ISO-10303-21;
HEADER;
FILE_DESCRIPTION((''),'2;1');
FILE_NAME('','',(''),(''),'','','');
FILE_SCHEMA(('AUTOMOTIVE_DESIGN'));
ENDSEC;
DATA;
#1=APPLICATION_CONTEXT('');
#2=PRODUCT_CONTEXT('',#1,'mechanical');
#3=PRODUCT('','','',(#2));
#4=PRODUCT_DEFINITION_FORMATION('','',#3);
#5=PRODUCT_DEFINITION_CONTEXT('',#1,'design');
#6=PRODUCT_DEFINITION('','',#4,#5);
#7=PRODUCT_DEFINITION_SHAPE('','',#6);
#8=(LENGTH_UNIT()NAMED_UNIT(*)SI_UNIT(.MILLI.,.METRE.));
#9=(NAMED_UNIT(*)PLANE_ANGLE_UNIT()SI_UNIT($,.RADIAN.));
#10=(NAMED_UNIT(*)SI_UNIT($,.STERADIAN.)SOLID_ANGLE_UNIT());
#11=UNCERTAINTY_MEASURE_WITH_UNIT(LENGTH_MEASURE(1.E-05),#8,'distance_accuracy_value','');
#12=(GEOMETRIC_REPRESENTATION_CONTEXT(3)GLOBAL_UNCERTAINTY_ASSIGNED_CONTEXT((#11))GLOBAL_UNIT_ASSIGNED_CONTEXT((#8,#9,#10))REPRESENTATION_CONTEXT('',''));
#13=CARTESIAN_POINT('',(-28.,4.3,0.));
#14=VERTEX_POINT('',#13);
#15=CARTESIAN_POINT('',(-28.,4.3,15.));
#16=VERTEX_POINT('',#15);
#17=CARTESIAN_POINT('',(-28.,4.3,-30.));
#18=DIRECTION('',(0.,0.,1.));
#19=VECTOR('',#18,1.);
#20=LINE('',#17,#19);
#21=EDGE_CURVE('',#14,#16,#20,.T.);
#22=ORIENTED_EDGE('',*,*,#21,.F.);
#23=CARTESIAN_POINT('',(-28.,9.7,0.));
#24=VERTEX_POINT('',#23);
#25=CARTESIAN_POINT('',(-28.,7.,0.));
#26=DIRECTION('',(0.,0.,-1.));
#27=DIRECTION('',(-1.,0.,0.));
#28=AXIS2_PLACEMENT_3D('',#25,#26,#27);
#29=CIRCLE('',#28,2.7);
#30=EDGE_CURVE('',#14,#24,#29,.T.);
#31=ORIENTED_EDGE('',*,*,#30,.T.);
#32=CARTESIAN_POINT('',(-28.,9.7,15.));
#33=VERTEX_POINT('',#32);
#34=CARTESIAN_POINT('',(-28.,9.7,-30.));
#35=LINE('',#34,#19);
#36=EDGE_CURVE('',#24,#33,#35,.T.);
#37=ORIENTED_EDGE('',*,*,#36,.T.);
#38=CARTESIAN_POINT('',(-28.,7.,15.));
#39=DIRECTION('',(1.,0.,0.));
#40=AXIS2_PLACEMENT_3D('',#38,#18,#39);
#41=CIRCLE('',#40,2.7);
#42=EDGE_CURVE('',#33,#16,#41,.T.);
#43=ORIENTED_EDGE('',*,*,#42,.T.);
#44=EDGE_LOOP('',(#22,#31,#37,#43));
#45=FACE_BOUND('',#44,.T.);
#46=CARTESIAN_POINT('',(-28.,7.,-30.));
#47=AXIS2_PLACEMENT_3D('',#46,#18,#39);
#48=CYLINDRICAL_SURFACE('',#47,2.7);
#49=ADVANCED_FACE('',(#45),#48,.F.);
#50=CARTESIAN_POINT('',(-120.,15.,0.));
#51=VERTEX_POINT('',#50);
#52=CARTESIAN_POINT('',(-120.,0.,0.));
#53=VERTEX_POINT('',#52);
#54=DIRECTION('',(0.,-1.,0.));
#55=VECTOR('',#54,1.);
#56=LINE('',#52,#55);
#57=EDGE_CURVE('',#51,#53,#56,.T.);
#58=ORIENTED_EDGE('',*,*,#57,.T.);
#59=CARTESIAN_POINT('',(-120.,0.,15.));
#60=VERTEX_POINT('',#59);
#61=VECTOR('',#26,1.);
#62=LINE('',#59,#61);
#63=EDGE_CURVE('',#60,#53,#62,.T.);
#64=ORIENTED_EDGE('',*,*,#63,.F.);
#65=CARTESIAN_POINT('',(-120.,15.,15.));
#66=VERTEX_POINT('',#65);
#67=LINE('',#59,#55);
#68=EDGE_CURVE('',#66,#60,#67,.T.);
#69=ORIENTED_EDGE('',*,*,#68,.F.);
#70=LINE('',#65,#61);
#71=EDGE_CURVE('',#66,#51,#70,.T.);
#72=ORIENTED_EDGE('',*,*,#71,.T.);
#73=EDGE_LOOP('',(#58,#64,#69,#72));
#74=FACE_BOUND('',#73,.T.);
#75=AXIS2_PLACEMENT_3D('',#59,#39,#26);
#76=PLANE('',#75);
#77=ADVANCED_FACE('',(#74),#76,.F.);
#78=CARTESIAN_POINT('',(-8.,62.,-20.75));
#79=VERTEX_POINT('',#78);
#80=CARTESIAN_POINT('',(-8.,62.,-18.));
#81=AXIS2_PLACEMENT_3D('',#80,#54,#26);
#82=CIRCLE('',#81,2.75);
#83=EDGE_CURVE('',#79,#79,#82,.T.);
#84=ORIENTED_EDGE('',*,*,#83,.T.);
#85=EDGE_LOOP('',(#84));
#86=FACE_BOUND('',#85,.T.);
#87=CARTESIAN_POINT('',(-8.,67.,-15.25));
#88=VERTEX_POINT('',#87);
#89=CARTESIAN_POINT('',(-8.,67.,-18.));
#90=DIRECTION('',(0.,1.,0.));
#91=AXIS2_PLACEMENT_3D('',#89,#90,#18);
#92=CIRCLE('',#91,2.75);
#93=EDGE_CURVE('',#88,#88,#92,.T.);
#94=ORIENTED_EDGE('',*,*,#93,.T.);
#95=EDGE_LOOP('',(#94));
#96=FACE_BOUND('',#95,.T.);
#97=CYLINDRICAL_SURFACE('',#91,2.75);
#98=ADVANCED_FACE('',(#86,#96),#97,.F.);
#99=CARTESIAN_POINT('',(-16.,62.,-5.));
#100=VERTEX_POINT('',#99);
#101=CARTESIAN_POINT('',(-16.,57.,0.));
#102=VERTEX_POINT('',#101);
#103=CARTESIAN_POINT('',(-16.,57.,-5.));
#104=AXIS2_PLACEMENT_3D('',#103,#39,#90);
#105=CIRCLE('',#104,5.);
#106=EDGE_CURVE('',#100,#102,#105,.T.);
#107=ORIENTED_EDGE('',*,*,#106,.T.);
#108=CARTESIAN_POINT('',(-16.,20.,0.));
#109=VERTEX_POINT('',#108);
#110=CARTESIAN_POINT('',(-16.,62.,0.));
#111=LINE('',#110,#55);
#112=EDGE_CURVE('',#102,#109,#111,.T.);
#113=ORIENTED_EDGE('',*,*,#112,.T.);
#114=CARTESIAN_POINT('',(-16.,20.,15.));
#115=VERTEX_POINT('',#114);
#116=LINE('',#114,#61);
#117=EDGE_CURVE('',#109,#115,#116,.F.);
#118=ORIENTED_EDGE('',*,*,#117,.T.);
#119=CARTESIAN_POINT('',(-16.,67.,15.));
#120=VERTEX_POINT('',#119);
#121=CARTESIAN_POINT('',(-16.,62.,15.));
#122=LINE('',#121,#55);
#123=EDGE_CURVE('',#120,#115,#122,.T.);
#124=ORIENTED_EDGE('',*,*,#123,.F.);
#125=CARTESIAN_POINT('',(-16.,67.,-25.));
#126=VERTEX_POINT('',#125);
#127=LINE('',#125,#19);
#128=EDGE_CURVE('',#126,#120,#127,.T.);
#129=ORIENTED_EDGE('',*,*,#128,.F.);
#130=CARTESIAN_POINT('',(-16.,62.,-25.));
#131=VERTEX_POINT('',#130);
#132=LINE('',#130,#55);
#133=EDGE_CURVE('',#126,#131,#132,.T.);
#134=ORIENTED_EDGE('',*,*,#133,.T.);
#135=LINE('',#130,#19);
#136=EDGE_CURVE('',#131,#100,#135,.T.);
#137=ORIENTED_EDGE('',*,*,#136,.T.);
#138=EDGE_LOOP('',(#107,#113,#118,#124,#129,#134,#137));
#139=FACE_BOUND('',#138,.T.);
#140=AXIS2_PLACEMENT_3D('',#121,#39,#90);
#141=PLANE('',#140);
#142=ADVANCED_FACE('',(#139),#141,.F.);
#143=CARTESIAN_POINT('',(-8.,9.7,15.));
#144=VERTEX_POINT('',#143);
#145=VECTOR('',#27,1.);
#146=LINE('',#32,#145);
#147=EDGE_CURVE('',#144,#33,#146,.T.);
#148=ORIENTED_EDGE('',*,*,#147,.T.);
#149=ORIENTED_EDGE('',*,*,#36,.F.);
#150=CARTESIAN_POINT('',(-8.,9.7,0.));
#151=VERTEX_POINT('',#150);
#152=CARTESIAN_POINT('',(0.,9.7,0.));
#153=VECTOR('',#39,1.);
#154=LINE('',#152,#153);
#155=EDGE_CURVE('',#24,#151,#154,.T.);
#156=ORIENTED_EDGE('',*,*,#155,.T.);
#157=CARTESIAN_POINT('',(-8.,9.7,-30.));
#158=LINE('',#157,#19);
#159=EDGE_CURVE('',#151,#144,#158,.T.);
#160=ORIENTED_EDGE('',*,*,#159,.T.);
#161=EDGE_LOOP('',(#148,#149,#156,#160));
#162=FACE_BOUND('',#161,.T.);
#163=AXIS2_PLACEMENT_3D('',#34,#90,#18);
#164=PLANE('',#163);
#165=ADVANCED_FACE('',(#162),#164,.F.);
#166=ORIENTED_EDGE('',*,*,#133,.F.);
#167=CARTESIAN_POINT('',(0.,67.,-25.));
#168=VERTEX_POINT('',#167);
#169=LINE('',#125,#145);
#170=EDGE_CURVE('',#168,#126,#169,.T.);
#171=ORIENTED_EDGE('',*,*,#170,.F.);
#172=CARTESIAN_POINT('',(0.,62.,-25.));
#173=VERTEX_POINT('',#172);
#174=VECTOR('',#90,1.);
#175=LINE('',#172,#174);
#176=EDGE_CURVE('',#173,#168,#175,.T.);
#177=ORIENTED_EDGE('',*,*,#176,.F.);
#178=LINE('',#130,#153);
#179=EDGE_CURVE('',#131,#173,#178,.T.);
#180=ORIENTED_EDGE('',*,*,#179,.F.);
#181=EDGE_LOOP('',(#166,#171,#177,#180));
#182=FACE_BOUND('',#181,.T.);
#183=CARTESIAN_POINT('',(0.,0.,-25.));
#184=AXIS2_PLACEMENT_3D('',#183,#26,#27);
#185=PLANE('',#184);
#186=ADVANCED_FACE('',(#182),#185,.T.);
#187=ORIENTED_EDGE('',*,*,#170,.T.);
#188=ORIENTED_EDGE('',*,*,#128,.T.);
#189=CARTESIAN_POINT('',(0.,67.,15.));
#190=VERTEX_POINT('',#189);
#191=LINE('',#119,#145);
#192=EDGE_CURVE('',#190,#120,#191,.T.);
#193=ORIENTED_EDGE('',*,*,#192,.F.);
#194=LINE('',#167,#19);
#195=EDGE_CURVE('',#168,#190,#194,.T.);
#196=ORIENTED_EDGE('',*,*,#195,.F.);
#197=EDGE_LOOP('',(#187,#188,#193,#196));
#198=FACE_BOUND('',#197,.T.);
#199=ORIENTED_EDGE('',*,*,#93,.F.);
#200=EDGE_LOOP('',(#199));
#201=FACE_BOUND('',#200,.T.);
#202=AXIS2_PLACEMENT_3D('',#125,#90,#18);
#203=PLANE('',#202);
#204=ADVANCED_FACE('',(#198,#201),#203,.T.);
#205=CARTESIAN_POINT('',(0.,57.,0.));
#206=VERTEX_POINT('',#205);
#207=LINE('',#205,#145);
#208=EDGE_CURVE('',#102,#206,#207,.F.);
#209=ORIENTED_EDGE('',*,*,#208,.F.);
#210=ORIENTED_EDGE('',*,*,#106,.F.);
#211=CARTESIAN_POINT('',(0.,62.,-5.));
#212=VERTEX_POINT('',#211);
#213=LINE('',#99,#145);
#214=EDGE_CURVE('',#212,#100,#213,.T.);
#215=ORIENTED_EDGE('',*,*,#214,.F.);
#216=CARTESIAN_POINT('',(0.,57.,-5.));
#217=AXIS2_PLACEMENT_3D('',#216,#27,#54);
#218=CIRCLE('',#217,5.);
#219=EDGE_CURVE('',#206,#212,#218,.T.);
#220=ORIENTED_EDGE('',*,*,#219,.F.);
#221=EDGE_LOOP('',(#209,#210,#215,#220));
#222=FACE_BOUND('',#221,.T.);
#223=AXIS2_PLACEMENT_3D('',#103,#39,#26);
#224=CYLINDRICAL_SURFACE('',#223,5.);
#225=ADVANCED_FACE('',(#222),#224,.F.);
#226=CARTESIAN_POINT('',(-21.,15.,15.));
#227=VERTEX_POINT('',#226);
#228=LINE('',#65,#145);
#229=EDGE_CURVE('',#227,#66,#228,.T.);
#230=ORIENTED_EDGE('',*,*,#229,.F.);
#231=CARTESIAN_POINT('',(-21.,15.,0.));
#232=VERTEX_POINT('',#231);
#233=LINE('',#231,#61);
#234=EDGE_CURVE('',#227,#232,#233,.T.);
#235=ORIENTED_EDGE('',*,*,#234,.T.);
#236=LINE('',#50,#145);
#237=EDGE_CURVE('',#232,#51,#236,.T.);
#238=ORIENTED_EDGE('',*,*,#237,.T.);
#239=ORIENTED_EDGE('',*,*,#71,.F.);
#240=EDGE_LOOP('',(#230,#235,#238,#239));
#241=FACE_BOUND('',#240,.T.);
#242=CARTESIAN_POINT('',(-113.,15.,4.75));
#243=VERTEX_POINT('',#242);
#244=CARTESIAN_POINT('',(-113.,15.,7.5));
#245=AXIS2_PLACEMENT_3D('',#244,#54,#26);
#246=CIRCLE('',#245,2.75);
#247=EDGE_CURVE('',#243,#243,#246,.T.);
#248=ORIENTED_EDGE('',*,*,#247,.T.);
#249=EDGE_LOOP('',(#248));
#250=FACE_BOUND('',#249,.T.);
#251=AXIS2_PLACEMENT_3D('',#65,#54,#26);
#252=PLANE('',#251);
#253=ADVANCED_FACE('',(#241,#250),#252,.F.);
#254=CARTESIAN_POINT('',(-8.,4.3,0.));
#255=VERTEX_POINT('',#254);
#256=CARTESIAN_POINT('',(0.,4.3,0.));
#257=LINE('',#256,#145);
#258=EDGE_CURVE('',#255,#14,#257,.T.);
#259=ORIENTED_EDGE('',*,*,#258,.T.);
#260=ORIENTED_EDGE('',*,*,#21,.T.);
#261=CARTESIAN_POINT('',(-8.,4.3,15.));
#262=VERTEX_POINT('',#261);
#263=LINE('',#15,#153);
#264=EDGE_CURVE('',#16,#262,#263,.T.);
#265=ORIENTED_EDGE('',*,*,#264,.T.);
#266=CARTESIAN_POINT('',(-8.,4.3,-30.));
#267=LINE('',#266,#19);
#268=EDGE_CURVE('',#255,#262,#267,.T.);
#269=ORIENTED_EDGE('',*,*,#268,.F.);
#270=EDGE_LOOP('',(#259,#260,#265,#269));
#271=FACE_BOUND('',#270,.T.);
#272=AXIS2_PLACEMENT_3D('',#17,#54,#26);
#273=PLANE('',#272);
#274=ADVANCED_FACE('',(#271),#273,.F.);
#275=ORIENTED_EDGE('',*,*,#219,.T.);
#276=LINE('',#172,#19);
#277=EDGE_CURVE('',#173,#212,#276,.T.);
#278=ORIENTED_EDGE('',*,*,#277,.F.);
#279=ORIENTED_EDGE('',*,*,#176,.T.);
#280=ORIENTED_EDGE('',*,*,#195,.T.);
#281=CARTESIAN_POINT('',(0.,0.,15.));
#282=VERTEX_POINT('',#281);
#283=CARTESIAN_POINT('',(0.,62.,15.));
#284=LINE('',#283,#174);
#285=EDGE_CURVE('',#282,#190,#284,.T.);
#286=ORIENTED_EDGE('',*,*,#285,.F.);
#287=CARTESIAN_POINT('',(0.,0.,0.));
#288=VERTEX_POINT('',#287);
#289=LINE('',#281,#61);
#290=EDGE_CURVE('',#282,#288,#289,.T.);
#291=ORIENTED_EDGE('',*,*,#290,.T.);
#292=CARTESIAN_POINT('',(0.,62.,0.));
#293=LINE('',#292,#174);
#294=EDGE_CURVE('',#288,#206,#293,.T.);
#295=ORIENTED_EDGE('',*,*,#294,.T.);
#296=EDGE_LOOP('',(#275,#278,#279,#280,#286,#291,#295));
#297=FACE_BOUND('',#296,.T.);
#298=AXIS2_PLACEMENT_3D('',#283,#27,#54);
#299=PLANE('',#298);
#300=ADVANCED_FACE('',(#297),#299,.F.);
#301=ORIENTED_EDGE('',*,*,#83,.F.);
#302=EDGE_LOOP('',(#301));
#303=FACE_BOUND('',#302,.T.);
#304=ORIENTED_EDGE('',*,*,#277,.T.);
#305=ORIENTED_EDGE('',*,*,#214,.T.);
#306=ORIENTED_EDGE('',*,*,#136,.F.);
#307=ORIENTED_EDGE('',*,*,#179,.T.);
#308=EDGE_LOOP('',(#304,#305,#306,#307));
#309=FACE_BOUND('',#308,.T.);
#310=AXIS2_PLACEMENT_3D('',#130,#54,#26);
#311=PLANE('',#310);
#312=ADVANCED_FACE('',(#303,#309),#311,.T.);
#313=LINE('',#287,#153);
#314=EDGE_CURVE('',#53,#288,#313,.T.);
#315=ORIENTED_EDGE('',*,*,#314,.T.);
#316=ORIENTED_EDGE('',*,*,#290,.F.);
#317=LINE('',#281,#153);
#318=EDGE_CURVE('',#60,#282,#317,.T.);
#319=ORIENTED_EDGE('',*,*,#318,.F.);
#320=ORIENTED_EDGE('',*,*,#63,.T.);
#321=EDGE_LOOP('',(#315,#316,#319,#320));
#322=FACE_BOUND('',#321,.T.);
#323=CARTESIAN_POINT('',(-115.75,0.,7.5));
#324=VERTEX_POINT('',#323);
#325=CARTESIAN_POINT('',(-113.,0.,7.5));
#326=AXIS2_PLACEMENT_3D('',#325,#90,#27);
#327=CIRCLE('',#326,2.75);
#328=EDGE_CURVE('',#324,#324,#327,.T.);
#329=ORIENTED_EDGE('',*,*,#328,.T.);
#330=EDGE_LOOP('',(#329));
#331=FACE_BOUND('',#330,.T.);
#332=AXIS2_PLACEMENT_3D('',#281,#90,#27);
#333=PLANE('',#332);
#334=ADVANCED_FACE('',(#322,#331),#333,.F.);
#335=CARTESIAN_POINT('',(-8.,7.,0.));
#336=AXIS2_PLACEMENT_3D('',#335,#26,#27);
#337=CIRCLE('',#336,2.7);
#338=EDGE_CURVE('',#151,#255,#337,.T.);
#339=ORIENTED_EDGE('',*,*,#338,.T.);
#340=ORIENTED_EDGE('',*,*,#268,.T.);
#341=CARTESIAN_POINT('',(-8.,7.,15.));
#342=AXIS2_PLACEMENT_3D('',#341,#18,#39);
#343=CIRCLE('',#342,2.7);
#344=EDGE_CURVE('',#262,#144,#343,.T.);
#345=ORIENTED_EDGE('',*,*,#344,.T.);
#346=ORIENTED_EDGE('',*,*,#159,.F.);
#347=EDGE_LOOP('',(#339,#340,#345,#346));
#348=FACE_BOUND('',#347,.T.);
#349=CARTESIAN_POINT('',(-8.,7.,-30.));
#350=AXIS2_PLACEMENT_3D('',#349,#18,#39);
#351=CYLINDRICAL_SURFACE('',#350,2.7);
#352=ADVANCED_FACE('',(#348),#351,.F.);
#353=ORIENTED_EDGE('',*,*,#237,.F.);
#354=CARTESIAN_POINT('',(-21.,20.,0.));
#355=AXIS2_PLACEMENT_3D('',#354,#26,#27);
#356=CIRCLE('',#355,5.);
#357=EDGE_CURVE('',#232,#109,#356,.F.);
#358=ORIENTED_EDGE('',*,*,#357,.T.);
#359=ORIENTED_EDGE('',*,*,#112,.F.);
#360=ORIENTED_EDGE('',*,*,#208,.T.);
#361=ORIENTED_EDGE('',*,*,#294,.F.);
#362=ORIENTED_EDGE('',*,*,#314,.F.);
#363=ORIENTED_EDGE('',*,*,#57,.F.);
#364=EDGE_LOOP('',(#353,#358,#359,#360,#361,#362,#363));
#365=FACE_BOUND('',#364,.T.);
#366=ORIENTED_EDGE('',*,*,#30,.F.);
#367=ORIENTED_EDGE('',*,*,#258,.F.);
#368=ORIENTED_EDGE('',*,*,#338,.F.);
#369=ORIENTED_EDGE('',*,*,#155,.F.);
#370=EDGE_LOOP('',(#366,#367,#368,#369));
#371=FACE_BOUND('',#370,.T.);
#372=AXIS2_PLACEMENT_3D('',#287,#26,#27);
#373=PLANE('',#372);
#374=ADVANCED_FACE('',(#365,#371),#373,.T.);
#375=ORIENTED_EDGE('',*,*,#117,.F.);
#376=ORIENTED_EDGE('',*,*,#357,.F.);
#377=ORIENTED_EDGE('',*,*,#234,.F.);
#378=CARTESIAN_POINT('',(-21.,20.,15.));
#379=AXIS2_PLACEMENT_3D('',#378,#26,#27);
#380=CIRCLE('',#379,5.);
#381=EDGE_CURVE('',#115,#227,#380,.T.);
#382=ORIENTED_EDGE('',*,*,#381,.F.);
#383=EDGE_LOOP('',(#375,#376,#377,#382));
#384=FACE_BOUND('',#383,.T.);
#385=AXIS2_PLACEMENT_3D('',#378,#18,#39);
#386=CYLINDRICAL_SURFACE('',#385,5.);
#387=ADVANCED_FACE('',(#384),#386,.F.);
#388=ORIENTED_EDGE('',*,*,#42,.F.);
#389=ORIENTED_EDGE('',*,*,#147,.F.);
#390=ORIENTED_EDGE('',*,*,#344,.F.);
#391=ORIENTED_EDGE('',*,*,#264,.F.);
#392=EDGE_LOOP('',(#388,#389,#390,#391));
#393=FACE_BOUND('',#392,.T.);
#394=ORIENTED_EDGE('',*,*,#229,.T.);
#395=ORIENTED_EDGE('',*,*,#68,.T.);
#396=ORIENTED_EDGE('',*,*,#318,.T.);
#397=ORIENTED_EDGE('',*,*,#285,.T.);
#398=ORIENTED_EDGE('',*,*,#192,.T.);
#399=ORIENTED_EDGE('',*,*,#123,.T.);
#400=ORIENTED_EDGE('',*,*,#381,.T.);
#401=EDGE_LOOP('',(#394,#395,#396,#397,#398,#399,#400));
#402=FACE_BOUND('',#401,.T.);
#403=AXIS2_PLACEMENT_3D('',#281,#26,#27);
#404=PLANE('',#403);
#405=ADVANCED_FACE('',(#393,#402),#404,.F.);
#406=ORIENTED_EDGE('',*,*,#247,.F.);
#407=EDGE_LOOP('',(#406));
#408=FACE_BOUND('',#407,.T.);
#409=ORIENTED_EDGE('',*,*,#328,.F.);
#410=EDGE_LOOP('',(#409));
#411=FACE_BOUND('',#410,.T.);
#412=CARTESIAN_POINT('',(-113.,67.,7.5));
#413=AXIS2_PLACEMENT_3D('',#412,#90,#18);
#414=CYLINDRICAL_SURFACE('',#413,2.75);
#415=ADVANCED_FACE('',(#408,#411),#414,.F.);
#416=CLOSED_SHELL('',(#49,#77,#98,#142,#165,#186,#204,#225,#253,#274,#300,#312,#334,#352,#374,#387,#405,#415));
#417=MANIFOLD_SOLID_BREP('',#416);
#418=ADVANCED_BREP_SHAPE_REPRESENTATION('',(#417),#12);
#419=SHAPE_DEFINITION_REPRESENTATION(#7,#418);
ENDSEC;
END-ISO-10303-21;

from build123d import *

# Parameters (mm, degrees)
BOSS_EXTRUDE1_DEPTH  = 15
SKETCH2_W            = 16
SKETCH2_H            = 5
BOSS_EXTRUDE2_DEPTH  = 40
CUT_EXTRUDE1_DEPTH   = 45
M5_CLEARANCE_HOLE1_D = 5.5
FILLET1_R            = 5


with BuildPart() as part:
    # Sketch1 → Boss-Extrude1 (new body)
    with BuildSketch(Plane.XY):
        Polygon((0, 0), (-120, 0), (-120, 15), (-16, 15), (-16, 62), (0, 62), align=None)
    extrude(amount=BOSS_EXTRUDE1_DEPTH)

    # Sketch2 → Boss-Extrude2 (add)
    with BuildSketch(Plane.XY.offset(15)):
        with Locations((-8, 64.5)):
            Rectangle(SKETCH2_W, SKETCH2_H)
    extrude(amount=-BOSS_EXTRUDE2_DEPTH)

    # Sketch3 → Cut-Extrude1 (cut)
    with BuildSketch(Plane.XY.offset(15)):
        with BuildLine():
            Line((-28, 9.7), (-8, 9.7))
            ThreePointArc((-8, 9.7), (-5.3, 7), (-8, 4.3))
            Line((-8, 4.3), (-28, 4.3))
            ThreePointArc((-28, 4.3), (-30.7, 7), (-28, 9.7))
        make_face()
    extrude(amount=-CUT_EXTRUDE1_DEPTH, mode=Mode.SUBTRACT)

    # M5 Clearance Hole1 (through all)
    with Locations(Plane(origin=(0, 67, 0), x_dir=(1, 0, 0), z_dir=(0, 1, 0))):
        with Locations((-8, 18), (-113, -7.5)):
            Hole(M5_CLEARANCE_HOLE1_D / 2)

    # Fillet1
    fillet1_edges = [part.edges().sort_by_distance(p)[0] for p in [
        (-16, 15, 7.5),
        (-8, 62, 0),
    ]]
    fillet(fillet1_edges, radius=FILLET1_R)


solid = part.part
